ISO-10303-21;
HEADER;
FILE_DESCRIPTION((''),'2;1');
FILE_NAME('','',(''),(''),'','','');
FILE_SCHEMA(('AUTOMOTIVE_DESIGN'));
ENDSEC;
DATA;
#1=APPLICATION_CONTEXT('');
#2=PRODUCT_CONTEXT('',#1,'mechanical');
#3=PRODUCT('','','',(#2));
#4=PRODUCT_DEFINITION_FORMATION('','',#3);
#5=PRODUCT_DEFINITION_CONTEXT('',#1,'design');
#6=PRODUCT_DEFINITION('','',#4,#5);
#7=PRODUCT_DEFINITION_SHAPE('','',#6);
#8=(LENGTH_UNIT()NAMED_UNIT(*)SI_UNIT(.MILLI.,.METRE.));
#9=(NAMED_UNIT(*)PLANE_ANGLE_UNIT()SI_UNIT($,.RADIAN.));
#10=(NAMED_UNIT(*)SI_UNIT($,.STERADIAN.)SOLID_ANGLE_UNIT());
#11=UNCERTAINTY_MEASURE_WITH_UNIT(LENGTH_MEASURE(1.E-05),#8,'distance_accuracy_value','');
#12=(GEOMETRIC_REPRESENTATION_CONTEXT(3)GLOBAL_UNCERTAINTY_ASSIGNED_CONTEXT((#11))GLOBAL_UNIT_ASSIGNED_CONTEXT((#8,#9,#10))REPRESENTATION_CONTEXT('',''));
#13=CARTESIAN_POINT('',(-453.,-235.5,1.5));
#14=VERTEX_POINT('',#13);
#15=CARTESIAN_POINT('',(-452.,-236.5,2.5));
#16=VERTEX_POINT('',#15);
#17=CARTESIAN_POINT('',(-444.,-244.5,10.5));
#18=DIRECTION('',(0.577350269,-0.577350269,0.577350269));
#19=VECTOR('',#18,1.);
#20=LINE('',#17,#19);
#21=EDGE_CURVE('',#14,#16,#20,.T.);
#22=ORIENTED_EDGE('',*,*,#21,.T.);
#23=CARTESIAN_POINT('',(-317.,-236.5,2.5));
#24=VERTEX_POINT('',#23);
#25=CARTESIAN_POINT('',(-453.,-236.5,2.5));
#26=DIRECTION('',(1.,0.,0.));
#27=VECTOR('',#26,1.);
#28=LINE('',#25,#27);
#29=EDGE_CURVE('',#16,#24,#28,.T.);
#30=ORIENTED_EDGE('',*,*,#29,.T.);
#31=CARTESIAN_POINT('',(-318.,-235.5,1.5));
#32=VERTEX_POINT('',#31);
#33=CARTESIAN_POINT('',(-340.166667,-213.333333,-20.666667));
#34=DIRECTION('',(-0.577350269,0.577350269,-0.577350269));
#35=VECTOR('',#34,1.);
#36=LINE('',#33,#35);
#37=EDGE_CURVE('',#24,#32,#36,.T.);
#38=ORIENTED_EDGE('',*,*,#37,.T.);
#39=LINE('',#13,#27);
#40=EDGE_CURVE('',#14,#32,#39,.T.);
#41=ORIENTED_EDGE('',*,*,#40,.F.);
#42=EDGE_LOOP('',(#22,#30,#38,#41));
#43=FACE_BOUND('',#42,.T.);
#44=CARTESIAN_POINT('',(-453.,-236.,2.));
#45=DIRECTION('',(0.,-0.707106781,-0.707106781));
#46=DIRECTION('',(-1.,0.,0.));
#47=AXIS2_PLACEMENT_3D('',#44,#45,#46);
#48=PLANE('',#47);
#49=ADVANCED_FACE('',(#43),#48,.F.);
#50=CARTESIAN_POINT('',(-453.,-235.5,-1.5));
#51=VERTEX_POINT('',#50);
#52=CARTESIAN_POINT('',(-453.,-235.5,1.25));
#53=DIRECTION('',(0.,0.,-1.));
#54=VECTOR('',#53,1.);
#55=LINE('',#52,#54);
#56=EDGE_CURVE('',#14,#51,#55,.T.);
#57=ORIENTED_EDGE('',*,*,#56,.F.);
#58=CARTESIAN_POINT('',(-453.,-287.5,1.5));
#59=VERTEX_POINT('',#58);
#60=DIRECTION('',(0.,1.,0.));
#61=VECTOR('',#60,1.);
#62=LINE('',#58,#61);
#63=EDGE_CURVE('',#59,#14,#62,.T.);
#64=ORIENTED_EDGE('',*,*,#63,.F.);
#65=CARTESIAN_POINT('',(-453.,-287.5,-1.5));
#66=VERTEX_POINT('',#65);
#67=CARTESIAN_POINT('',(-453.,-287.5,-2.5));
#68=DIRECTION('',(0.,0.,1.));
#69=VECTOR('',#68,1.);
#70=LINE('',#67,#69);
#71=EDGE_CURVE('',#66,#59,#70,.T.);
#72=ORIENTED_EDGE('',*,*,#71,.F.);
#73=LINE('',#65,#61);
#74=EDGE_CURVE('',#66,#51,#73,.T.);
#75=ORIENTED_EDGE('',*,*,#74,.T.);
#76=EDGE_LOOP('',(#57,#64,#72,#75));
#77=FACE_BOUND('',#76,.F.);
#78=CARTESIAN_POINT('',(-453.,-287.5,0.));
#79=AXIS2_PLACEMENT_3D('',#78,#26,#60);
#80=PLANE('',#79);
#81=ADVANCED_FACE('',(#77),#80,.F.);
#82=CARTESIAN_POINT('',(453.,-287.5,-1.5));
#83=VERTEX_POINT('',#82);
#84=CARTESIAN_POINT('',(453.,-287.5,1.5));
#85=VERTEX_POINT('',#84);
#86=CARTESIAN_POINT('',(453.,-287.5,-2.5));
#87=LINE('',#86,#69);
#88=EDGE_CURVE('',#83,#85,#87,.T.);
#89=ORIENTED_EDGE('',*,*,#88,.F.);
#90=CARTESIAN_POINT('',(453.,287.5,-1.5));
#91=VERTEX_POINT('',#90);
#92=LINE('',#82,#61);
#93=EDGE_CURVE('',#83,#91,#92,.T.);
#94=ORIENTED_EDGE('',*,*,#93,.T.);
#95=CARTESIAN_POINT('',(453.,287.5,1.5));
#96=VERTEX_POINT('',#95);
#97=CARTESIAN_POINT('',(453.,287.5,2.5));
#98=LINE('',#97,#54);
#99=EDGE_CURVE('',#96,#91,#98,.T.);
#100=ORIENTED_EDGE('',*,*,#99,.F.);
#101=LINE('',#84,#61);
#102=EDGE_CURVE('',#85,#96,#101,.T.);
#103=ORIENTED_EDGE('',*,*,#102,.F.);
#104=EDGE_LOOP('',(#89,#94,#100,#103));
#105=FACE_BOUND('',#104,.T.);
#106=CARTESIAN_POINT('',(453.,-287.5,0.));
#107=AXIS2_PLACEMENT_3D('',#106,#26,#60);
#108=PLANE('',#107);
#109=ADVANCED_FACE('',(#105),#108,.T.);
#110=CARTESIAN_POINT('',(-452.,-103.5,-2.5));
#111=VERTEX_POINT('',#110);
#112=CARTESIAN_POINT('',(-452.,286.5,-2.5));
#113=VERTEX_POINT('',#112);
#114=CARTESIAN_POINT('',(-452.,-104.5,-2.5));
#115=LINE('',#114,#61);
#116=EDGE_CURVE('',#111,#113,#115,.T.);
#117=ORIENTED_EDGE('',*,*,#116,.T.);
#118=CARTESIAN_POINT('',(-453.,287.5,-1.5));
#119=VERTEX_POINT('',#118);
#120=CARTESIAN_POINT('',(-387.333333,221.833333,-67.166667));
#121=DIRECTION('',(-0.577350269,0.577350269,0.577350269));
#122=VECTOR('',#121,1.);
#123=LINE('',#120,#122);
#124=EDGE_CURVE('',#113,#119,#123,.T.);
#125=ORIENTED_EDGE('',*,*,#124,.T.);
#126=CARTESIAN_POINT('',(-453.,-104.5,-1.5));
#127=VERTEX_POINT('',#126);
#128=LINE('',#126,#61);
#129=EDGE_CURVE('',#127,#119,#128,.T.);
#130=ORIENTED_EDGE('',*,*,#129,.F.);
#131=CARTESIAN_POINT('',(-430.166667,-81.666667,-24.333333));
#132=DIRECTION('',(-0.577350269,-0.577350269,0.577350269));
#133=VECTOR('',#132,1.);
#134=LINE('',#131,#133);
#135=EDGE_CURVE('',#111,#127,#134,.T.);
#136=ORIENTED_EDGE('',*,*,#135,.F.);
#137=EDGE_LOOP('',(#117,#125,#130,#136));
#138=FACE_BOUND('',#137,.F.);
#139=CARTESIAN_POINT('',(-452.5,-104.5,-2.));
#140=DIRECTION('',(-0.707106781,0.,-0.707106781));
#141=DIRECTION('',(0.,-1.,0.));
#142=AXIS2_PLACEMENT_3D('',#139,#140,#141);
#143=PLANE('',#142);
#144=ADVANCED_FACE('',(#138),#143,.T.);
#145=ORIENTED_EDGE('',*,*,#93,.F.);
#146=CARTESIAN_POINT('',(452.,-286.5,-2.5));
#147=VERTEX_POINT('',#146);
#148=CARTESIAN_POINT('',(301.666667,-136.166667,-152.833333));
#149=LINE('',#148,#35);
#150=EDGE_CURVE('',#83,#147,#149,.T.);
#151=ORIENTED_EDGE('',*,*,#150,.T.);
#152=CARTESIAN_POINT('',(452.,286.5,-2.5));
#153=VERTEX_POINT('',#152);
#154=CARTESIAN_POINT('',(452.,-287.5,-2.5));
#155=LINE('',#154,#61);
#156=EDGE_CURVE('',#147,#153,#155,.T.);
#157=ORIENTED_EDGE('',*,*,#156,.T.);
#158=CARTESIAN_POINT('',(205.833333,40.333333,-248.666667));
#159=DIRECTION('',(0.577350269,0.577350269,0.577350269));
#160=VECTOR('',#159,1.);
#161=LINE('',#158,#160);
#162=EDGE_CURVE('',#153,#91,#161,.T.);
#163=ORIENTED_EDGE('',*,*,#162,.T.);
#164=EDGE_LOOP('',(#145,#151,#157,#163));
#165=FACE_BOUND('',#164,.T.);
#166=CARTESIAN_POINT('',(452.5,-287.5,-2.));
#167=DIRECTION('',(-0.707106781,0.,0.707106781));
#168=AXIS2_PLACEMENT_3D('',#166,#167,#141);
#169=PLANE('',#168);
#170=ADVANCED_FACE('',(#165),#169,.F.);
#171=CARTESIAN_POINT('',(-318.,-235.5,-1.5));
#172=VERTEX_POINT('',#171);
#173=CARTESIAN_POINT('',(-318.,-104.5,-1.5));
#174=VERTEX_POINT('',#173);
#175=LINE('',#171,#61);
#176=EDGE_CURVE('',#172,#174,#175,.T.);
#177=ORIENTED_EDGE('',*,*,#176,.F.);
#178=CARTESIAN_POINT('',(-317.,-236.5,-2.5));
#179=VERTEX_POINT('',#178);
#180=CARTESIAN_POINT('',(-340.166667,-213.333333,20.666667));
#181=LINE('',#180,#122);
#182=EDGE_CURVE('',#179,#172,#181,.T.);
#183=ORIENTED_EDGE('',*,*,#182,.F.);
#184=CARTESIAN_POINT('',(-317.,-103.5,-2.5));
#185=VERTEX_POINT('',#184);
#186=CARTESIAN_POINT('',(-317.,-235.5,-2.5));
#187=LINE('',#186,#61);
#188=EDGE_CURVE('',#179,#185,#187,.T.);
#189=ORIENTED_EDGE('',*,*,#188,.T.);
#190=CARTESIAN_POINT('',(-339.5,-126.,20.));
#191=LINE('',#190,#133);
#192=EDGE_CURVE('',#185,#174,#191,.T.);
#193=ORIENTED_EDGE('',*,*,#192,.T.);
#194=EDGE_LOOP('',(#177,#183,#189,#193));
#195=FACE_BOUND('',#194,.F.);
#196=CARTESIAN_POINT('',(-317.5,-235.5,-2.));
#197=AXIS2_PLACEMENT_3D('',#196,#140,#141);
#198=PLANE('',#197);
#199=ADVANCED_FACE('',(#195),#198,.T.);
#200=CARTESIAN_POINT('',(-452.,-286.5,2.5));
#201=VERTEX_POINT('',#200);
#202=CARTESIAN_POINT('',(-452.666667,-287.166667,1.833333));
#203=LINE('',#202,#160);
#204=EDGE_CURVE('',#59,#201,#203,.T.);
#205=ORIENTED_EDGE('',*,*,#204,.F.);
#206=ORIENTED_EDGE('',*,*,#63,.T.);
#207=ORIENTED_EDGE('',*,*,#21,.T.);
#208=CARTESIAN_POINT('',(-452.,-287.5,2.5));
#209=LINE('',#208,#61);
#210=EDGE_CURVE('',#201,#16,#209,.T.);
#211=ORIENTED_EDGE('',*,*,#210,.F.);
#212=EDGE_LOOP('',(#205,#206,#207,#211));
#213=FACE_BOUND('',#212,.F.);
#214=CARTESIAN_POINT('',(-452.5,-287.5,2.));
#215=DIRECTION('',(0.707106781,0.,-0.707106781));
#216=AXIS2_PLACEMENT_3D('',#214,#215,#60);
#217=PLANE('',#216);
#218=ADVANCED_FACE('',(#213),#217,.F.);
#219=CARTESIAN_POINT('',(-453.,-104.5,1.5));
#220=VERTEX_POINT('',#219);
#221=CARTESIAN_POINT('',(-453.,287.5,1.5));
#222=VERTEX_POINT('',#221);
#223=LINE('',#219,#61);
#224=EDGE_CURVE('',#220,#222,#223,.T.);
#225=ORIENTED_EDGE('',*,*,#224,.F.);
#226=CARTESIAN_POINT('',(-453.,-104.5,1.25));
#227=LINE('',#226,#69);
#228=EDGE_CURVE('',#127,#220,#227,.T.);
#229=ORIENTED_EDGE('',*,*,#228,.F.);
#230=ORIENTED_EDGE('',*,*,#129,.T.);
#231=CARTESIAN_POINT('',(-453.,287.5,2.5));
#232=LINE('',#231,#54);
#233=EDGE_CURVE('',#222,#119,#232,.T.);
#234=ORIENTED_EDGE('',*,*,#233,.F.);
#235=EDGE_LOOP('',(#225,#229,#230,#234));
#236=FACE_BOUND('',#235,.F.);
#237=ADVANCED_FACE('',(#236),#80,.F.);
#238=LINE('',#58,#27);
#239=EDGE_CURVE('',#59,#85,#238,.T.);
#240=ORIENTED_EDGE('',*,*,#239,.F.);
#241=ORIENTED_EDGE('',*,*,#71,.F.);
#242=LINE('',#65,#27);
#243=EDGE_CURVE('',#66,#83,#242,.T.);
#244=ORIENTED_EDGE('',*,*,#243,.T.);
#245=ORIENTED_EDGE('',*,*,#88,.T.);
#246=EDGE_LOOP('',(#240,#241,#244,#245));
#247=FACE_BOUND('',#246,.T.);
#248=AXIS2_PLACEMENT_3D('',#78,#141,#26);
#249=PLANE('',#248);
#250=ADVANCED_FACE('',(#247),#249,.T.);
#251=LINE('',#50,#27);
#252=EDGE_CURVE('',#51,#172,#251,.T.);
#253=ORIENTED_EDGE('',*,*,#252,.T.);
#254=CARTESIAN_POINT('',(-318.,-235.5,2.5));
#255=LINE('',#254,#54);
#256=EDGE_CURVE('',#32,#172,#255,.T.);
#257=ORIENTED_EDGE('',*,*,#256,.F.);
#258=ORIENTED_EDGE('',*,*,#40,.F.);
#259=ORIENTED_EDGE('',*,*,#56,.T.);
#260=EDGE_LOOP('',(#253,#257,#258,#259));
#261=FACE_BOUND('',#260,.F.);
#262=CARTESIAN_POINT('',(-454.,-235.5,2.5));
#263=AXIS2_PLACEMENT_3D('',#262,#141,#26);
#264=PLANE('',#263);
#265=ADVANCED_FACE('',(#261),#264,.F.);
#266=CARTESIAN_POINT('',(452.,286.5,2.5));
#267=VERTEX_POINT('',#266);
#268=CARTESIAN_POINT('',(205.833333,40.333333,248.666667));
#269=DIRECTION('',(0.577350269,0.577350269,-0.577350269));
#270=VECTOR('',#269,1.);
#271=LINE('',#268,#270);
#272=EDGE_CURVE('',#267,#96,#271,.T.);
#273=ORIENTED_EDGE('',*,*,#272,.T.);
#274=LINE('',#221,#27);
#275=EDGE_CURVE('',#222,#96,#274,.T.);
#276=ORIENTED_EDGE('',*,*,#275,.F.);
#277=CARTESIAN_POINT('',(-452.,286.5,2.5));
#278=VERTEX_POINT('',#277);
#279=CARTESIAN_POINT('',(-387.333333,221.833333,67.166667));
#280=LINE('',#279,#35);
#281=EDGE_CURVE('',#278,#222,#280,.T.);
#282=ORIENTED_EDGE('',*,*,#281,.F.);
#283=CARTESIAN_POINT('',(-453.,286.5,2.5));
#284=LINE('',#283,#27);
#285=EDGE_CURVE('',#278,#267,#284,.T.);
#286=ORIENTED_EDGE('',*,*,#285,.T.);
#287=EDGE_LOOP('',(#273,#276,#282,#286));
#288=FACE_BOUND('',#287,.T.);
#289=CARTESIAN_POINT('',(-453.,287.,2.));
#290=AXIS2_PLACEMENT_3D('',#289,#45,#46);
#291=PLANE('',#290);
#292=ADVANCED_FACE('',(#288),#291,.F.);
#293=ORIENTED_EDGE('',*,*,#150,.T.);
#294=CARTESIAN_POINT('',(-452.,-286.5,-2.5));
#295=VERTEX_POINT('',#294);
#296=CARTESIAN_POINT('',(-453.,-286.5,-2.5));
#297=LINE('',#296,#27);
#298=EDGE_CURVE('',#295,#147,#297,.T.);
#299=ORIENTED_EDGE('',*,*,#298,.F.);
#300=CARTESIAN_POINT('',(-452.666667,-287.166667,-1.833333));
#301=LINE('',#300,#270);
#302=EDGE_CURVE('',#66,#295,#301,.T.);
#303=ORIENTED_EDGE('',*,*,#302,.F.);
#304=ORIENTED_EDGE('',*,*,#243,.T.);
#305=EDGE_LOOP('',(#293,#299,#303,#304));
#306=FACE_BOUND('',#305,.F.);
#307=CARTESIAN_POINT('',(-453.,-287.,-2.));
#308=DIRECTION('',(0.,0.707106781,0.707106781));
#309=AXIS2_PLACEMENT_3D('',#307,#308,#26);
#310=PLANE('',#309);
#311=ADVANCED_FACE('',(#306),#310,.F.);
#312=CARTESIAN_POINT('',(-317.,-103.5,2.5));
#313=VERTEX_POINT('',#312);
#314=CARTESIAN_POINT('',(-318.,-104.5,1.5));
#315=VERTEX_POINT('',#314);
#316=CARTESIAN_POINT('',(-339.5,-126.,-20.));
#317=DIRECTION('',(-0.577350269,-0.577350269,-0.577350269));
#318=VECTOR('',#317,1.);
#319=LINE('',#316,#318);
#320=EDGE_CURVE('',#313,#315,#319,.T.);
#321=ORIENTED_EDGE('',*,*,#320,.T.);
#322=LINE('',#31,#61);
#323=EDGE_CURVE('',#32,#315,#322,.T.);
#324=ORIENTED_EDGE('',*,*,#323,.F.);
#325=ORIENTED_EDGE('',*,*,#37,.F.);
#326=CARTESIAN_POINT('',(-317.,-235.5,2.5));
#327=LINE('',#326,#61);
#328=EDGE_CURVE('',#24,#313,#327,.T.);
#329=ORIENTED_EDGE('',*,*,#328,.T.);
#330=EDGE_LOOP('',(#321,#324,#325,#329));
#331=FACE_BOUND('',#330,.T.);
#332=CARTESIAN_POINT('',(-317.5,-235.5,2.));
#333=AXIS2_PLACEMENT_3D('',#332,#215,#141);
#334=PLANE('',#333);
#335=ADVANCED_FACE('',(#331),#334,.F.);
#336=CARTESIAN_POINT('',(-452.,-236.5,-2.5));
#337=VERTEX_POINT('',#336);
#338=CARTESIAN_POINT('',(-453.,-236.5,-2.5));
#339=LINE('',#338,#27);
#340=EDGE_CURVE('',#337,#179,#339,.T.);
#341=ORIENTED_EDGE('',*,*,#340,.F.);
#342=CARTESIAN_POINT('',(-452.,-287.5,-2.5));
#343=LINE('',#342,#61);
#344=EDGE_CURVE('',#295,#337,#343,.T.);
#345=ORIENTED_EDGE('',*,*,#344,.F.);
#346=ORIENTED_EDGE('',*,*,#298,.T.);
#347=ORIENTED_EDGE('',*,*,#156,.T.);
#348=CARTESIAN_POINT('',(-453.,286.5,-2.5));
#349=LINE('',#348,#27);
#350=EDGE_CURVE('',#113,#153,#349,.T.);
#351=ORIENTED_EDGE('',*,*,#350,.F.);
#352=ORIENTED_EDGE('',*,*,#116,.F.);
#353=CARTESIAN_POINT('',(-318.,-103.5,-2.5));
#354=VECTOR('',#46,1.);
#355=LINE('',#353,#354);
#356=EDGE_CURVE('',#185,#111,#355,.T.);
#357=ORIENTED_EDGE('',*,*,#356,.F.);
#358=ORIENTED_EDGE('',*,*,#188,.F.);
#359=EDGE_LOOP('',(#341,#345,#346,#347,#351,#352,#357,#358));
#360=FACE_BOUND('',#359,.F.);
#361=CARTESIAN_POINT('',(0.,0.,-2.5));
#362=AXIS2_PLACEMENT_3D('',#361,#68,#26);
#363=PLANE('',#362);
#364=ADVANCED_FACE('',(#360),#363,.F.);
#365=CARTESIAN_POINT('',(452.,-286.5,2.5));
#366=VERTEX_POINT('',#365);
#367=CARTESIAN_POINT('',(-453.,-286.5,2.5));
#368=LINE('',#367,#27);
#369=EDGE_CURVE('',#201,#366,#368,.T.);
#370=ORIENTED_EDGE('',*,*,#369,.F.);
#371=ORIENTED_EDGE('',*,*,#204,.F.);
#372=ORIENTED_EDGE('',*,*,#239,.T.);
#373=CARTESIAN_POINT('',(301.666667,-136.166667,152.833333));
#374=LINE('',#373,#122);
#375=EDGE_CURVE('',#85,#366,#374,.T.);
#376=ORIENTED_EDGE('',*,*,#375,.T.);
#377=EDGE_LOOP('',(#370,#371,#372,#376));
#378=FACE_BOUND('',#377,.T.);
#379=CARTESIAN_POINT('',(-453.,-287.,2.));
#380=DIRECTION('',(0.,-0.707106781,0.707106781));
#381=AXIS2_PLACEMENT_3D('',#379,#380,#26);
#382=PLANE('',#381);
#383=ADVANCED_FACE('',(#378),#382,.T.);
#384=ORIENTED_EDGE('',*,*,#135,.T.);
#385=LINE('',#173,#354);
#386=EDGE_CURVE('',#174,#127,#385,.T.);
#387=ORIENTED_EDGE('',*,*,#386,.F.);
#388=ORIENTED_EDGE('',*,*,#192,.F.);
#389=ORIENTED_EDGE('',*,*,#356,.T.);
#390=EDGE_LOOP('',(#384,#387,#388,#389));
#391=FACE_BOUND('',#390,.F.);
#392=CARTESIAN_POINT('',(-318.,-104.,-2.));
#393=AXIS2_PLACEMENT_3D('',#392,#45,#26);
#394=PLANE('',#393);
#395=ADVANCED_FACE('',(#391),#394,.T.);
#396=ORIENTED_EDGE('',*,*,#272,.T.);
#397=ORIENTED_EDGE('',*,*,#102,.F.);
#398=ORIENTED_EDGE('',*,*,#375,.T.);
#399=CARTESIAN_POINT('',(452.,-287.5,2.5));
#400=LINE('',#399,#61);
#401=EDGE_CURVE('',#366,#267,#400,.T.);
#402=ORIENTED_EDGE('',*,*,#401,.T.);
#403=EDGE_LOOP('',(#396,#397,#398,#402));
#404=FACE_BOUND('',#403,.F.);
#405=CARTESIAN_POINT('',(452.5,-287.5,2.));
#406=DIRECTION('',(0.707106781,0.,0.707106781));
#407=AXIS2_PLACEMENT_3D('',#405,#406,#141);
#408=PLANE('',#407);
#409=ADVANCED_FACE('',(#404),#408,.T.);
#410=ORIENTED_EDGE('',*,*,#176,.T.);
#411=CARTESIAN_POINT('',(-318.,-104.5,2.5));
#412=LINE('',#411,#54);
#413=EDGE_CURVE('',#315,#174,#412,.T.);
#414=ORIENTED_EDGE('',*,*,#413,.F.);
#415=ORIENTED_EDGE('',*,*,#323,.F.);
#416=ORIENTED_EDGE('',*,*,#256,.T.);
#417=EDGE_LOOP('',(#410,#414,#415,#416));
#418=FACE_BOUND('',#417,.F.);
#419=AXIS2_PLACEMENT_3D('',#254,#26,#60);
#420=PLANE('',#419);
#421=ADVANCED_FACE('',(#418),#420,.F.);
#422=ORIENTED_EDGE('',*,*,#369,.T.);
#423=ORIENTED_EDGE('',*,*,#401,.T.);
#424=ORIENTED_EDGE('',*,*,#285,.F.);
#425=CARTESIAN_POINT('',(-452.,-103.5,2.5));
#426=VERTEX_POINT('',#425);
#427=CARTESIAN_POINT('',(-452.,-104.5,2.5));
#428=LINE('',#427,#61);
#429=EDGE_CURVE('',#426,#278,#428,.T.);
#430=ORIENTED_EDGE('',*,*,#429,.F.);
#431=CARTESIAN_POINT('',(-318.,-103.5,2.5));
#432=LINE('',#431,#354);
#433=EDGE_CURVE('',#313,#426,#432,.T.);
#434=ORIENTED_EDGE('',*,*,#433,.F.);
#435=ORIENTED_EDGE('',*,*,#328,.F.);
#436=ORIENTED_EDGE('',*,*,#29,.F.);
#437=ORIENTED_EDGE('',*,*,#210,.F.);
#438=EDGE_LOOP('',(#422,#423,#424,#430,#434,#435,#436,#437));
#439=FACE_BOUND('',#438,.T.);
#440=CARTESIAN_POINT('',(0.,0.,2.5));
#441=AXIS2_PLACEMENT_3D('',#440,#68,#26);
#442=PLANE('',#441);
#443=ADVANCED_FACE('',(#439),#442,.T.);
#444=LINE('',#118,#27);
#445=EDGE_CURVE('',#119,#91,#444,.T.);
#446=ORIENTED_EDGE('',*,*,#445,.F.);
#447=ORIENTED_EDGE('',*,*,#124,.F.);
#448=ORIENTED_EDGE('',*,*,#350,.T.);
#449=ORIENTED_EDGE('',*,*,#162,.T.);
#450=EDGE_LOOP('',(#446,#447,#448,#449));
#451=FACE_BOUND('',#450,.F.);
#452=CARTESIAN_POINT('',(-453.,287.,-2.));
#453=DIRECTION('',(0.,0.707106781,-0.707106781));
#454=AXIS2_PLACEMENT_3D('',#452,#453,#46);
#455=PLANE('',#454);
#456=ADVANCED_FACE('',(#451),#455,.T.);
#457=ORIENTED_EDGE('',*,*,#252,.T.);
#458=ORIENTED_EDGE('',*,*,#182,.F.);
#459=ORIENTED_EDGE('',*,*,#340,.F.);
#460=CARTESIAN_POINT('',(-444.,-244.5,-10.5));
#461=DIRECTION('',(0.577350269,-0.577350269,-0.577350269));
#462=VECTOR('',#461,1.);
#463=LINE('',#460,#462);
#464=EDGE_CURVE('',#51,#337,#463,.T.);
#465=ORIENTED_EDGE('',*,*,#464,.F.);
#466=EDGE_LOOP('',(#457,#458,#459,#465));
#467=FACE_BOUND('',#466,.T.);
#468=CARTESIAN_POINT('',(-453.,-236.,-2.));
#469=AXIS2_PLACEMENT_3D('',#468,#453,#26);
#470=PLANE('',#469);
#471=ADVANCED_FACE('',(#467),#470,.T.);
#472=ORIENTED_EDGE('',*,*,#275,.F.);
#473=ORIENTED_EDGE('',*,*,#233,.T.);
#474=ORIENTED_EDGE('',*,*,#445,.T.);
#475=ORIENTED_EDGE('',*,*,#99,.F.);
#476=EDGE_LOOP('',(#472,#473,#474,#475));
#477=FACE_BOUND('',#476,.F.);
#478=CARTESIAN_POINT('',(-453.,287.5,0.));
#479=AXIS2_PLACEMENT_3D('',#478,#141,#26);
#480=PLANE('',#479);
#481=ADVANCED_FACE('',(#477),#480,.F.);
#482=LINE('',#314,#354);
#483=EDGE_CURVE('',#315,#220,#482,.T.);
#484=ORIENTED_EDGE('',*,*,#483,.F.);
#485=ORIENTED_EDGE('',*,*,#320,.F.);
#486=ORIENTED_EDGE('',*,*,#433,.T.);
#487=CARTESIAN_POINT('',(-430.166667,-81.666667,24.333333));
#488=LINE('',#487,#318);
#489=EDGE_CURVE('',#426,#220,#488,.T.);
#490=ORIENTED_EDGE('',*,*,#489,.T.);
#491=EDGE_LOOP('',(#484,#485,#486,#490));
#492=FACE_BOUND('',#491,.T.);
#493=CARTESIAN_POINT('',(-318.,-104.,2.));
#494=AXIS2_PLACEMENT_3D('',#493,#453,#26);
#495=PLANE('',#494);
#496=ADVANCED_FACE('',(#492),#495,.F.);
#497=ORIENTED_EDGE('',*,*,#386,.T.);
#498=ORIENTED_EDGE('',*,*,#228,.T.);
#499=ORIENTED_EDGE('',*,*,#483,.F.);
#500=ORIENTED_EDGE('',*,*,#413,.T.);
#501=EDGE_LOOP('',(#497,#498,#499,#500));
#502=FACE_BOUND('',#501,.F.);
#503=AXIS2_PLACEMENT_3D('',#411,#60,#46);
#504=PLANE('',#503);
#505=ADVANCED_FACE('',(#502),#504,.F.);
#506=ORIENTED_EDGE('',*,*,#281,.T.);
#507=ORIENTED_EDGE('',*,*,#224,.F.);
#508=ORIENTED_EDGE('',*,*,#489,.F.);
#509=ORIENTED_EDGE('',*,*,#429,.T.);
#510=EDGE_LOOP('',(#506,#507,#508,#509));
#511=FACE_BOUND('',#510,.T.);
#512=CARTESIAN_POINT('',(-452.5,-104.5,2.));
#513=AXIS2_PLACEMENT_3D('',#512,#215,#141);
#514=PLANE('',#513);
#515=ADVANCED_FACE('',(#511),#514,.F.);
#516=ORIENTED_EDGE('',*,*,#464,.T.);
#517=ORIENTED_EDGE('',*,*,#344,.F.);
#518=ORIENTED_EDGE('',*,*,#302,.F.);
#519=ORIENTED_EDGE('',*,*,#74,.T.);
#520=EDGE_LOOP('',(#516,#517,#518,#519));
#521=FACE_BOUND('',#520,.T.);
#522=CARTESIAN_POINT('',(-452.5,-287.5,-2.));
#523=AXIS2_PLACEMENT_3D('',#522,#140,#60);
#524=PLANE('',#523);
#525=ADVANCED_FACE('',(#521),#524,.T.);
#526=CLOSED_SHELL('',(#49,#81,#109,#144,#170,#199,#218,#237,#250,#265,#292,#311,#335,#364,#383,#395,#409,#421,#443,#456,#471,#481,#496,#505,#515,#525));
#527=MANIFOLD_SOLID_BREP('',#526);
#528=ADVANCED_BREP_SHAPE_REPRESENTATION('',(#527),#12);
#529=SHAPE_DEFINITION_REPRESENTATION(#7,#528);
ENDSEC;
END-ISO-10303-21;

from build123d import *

# Parameters (mm, degrees)
F0_W     = 906
F0_H     = 575
F1_DEPTH = 2.5
F2_W     = 1
F2_H     = 131
F2_W_2   = 135
F3_DEPTH = 5.001
F4_SIZE  = 1


with BuildPart() as f1:
    # F0 (on Top) → F1 (new body, symmetric)
    with BuildSketch(Plane.XY):
        Rectangle(F0_W, F0_H)
    extrude(amount=F1_DEPTH, both=True)

    # F2 (on face) → F3 (cut, through all)
    with BuildSketch(Plane.XY.offset(2.5)):
        with Locations((-453.5, -170)):
            Rectangle(F2_W, F2_H)
        with Locations((-385.5, -170)):
            Rectangle(F2_W_2, F2_H)
    extrude(amount=-F3_DEPTH, mode=Mode.SUBTRACT)

    # F4
    f4_edges = [f1.edges().sort_by_distance(p)[0] for p in [
        (-453, 91.5, 2.5),
        (-453, 91.5, -2.5),
        (-453, -261.5, -2.5),
        (-453, -261.5, 2.5),
        (0, -287.5, -2.5),
        (0, -287.5, 2.5),
        (453, 0, 2.5),
        (453, 0, -2.5),
        (0, 287.5, 2.5),
        (0, 287.5, -2.5),
        (-385.5, -104.5, 2.5),
        (-385.5, -104.5, -2.5),
        (-318, -170, -2.5),
        (-318, -170, 2.5),
        (-385.5, -235.5, 2.5),
        (-385.5, -235.5, -2.5),
    ]]
    chamfer(f4_edges, length=F4_SIZE)


solid = f1.part
